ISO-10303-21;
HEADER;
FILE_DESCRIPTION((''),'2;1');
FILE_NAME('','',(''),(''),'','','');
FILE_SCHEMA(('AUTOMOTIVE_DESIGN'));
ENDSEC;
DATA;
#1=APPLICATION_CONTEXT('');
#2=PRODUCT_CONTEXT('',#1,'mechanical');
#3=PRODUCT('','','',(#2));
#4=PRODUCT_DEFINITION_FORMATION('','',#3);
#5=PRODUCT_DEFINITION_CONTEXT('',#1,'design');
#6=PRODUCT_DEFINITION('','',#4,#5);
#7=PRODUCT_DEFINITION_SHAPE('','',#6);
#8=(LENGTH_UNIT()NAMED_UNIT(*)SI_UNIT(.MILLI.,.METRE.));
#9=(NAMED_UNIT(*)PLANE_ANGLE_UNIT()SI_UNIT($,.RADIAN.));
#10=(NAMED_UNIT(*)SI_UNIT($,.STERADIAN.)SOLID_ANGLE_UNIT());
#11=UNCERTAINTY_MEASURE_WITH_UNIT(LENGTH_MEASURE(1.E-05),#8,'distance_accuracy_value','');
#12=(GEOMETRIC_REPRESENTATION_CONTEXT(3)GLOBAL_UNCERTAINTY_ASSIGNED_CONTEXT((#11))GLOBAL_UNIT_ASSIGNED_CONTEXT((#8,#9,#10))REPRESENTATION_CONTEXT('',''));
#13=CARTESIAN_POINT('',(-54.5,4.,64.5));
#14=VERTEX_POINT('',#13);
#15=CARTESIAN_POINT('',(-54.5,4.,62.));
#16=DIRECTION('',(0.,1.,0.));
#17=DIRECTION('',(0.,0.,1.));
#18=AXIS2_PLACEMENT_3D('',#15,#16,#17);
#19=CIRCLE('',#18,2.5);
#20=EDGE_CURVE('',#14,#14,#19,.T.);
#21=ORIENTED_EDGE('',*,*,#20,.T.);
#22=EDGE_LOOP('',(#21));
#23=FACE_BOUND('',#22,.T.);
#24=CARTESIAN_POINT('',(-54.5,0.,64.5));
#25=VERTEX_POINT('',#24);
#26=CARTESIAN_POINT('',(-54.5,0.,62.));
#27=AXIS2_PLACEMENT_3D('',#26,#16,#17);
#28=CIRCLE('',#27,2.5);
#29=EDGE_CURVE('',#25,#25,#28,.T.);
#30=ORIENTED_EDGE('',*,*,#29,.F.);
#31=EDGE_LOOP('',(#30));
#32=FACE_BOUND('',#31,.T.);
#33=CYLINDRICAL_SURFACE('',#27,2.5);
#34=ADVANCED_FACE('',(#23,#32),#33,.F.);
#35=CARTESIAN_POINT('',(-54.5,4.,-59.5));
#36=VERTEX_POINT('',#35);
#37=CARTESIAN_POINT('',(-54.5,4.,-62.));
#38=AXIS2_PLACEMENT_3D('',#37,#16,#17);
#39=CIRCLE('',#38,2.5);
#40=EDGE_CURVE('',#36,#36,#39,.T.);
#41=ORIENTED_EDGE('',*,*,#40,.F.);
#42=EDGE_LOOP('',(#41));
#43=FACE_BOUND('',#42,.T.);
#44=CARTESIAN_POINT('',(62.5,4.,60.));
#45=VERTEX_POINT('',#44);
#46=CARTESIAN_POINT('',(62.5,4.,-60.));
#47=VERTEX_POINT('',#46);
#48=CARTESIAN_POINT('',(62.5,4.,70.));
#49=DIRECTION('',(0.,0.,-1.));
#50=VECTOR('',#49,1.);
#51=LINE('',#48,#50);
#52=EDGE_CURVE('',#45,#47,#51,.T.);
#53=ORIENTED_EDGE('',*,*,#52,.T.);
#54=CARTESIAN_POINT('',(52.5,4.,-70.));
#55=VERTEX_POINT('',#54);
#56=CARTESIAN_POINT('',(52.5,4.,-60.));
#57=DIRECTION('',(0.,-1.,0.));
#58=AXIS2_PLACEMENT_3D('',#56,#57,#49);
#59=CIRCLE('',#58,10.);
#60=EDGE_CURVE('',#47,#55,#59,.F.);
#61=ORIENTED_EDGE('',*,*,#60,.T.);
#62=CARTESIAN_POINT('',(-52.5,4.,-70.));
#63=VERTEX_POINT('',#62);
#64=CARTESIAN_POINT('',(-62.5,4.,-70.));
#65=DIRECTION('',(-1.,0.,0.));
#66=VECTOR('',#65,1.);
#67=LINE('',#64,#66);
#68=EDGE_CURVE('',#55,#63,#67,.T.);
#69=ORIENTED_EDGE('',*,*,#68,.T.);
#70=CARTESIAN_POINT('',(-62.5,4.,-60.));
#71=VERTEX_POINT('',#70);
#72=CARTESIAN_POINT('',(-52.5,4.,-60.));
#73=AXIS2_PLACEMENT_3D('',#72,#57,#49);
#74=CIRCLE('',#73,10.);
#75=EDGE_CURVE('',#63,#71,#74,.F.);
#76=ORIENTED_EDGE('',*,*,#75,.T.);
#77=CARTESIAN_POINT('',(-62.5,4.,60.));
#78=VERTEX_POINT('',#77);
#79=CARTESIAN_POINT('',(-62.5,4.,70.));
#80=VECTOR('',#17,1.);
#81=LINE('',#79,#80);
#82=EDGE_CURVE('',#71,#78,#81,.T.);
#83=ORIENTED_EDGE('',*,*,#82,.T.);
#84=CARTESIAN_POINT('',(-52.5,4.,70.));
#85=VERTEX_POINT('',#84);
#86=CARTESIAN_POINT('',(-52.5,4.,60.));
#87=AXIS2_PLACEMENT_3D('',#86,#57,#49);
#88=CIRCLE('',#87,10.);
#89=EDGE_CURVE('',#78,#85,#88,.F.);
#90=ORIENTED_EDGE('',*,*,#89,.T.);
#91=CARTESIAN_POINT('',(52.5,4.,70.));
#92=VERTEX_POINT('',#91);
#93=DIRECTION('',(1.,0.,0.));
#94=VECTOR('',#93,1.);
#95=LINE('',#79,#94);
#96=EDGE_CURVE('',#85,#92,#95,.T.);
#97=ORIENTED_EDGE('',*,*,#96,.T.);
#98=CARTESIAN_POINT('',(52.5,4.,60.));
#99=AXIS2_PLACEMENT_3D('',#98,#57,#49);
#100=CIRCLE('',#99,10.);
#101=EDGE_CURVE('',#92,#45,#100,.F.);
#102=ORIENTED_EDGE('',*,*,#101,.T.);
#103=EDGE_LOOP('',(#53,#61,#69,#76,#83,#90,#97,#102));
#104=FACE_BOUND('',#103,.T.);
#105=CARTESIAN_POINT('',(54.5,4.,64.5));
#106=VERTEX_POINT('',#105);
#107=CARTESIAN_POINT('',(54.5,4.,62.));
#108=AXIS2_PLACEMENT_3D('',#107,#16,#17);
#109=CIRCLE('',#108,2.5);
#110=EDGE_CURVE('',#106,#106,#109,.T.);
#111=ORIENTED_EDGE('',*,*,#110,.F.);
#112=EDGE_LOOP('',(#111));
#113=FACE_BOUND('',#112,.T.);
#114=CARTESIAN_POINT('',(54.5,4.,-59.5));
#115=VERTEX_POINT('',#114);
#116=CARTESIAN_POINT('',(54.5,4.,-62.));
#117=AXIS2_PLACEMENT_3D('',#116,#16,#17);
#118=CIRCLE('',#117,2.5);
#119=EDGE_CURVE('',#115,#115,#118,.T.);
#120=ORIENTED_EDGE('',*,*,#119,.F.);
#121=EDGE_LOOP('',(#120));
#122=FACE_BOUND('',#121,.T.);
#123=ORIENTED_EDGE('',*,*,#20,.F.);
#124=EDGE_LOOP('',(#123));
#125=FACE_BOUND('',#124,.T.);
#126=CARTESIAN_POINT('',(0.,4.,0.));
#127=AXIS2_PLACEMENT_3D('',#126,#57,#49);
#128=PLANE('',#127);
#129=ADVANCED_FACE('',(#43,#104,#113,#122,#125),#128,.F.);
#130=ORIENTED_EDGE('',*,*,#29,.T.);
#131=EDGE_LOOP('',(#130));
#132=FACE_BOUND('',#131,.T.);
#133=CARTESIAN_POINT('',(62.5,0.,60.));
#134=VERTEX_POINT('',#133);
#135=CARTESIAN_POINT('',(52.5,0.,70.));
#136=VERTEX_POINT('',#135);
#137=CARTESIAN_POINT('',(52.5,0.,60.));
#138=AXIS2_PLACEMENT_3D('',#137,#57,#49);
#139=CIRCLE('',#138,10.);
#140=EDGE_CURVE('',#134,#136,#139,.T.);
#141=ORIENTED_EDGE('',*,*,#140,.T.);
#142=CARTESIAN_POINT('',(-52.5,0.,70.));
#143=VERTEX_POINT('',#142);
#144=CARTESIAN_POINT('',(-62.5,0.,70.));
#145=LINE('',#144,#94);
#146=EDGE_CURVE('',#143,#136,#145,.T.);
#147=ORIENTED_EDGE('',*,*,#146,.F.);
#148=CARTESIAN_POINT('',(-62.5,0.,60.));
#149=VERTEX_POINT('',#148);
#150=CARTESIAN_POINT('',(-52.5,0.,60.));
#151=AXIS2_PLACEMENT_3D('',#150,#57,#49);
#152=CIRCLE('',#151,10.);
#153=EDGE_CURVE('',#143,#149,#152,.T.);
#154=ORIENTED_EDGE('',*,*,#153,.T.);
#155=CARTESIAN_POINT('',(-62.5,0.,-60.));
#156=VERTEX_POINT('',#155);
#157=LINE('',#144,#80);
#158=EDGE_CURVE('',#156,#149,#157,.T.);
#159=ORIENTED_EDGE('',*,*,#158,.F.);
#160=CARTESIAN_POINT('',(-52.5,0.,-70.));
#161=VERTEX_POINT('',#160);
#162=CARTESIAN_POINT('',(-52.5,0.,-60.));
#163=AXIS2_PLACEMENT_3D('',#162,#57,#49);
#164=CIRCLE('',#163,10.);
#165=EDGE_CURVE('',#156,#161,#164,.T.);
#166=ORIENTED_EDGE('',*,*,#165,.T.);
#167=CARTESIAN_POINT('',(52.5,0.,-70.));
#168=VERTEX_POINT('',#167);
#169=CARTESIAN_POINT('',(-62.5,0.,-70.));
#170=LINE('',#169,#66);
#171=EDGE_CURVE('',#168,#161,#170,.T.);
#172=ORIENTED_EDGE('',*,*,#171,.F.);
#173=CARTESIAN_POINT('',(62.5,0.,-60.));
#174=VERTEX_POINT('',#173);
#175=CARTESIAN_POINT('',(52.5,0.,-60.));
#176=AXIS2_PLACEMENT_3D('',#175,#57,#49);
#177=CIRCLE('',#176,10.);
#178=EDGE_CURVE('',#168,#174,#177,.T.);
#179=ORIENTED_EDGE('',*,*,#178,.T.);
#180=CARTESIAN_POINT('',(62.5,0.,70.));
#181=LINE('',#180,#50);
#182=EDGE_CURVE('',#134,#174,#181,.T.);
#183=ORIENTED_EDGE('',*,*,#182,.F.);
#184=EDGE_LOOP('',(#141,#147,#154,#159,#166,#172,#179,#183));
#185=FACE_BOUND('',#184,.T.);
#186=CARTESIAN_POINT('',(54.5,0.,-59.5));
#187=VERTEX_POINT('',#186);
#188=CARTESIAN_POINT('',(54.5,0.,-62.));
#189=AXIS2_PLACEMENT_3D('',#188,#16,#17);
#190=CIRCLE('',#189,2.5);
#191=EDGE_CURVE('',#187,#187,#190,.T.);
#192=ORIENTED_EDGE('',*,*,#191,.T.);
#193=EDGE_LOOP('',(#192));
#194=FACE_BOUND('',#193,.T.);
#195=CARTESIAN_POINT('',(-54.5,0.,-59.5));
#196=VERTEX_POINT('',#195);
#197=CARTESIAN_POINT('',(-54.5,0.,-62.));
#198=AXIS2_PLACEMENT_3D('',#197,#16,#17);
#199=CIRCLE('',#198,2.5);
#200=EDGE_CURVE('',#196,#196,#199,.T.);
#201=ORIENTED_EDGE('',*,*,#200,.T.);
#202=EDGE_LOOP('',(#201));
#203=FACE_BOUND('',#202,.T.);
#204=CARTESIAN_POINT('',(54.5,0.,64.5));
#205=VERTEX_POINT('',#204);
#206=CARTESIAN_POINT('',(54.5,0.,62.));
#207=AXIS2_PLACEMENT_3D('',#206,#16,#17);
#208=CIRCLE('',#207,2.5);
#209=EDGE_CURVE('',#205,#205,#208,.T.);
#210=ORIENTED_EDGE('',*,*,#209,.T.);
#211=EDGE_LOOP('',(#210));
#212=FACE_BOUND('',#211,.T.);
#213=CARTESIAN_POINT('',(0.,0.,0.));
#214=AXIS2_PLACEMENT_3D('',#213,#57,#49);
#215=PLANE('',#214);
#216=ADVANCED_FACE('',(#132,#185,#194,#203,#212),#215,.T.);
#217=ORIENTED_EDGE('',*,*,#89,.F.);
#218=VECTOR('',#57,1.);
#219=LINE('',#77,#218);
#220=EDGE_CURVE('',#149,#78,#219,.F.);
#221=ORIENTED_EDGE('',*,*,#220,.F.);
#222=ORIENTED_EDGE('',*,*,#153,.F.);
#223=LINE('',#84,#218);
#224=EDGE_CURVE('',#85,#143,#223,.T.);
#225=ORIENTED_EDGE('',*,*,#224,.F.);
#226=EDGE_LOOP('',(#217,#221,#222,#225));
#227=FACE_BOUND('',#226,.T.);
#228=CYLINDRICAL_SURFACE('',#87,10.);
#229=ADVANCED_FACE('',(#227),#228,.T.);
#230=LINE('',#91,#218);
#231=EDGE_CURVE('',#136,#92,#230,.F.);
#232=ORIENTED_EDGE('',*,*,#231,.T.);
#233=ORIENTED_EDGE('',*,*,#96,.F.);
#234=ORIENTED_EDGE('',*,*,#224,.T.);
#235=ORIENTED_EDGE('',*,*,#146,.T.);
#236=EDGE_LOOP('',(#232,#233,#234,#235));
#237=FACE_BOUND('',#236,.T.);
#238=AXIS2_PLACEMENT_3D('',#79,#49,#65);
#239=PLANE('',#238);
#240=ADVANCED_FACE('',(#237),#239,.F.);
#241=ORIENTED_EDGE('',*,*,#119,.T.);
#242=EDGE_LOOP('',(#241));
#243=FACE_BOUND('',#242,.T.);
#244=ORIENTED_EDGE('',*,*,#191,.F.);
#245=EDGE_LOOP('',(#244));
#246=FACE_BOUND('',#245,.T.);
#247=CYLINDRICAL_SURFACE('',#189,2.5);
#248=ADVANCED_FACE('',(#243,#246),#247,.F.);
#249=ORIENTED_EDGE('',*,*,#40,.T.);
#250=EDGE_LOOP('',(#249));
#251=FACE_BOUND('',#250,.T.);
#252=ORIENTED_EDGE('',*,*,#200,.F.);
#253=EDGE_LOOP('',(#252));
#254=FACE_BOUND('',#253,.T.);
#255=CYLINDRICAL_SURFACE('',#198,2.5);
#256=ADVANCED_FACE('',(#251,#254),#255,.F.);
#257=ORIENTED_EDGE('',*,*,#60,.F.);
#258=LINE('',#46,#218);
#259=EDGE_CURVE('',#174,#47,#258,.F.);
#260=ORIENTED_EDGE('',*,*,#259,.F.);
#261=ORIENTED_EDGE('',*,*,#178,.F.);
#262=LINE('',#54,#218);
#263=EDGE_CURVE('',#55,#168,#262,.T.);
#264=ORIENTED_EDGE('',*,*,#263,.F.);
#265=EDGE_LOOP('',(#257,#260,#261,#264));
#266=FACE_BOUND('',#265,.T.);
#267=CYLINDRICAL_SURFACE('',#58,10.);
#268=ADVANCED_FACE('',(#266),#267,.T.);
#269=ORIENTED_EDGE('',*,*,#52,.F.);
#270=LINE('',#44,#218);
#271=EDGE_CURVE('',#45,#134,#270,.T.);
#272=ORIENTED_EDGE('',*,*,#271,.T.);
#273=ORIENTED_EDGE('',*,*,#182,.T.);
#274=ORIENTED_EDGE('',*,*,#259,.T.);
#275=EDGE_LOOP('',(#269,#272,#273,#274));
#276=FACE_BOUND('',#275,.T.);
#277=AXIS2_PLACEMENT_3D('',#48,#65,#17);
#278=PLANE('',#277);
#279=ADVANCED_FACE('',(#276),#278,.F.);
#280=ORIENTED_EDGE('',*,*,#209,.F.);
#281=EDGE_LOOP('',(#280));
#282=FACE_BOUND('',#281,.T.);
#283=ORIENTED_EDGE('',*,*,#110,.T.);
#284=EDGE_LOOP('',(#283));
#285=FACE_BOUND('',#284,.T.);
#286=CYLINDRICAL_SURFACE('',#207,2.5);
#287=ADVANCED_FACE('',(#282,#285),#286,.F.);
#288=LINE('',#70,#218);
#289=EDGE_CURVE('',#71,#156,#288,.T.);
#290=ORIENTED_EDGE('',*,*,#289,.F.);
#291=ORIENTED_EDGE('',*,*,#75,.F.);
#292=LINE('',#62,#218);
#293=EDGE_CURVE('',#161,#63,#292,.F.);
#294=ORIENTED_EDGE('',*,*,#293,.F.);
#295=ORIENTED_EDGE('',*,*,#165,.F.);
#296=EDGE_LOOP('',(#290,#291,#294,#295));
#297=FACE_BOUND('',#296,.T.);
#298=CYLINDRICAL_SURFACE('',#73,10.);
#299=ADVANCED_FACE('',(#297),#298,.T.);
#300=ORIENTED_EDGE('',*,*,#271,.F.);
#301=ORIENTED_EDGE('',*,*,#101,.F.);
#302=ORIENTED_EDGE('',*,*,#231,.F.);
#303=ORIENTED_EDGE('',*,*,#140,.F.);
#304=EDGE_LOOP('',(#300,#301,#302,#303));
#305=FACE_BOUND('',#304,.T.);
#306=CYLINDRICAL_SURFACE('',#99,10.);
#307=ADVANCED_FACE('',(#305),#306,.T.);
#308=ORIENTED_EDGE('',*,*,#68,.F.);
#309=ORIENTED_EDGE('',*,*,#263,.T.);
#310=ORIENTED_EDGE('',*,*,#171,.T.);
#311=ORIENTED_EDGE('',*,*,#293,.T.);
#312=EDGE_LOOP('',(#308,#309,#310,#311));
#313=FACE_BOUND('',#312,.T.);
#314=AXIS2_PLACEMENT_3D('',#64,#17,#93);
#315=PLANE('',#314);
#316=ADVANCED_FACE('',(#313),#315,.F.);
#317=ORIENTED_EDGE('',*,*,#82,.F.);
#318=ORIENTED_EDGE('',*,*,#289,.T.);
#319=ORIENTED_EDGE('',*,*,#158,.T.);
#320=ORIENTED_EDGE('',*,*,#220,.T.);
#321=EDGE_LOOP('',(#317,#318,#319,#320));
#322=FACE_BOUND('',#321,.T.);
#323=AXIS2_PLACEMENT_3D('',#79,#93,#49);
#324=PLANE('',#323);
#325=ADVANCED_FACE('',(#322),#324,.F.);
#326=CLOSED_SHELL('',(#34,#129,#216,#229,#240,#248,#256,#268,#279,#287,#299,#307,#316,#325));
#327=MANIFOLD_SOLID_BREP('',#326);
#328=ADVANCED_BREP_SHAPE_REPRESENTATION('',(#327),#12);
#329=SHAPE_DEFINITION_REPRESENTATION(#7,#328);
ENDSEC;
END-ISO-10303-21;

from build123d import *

# Parameters (mm, degrees)
SKETCH1_W           = 125
SKETCH1_H           = 140
BOSS_EXTRUDE1_DEPTH = 4
SKETCH2_R           = 2.5
CUT_EXTRUDE1_DEPTH  = 94.926833227
FILLET2_R           = 10


with BuildPart() as part:
    # Sketch1 → Boss-Extrude1 (new body)
    with BuildSketch(Plane(origin=(0, 0, 0), x_dir=(1, 0, 0), z_dir=(0, 1, 0))):
        Rectangle(SKETCH1_W, SKETCH1_H)
    extrude(amount=BOSS_EXTRUDE1_DEPTH)

    # Sketch2 → Cut-Extrude1 (cut, through all)
    with BuildSketch(Plane(origin=(0, 4, 0), x_dir=(1, 0, 0), z_dir=(0, 1, 0))):
        with Locations(Location((-54.5, 62, 0), (0, 0, 270))):
            Circle(SKETCH2_R)
        with Locations(Location((54.5, 62, 0), (0, 0, 270))):
            Circle(SKETCH2_R)
        with Locations(Location((54.5, -62, 0), (0, 0, 270))):
            Circle(SKETCH2_R)
        with Locations(Location((-54.5, -62, 0), (0, 0, 270))):
            Circle(SKETCH2_R)
    extrude(amount=-CUT_EXTRUDE1_DEPTH, mode=Mode.SUBTRACT)

    # Fillet2
    fillet2_edges = [part.edges().sort_by_distance(p)[0] for p in [
        (62.5, 2, 70),
        (-62.5, 2, 70),
        (-62.5, 2, -70),
        (62.5, 2, -70),
    ]]
    fillet(fillet2_edges, radius=FILLET2_R)


solid = part.part
